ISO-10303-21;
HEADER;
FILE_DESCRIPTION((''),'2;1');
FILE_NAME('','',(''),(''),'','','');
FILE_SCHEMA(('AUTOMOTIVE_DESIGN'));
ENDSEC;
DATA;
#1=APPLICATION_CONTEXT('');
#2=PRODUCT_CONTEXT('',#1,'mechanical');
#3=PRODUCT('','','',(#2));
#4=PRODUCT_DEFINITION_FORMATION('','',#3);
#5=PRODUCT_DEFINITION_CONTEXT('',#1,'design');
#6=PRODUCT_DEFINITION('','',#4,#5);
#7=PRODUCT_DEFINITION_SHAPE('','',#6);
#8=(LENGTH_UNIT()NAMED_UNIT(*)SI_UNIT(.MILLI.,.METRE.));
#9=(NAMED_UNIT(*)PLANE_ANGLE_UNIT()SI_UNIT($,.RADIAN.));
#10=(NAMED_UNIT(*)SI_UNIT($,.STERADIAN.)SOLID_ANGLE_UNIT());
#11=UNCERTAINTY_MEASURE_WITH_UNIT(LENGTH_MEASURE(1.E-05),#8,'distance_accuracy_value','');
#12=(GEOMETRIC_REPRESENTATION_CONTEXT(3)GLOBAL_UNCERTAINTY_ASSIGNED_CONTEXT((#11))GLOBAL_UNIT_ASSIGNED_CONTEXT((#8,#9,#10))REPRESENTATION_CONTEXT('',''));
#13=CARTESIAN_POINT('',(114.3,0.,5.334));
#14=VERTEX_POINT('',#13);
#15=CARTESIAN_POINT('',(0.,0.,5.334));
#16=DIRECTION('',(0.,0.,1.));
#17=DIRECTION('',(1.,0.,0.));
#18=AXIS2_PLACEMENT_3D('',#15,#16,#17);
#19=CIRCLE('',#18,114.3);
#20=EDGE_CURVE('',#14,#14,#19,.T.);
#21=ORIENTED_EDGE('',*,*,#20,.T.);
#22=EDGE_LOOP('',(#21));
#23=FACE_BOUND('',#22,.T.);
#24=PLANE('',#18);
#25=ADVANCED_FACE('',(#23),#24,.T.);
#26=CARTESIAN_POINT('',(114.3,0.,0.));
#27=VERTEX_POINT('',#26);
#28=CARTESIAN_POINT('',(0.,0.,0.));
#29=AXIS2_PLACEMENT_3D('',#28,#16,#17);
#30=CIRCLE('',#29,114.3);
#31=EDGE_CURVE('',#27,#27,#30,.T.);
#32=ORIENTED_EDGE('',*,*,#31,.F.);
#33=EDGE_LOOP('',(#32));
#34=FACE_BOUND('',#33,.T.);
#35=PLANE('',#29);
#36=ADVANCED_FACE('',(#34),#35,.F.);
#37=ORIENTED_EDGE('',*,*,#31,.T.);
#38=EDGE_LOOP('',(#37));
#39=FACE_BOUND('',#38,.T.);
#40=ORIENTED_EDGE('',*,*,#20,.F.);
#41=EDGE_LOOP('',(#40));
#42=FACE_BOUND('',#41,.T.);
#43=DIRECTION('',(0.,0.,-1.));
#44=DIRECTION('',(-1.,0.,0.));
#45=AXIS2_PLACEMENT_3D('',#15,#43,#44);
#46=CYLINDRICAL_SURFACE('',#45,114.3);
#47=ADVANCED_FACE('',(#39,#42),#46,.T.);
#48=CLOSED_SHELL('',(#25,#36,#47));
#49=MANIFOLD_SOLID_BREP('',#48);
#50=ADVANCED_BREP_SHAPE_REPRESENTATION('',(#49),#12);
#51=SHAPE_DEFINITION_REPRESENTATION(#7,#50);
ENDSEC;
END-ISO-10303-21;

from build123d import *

# Parameters (mm, degrees)
SKETCH1_R      = 114.3
PLATFORM_DEPTH = 5.334


with BuildPart() as part:
    # Sketch1 → Platform (new body)
    with BuildSketch(Plane.XY):
        Circle(SKETCH1_R)
    extrude(amount=PLATFORM_DEPTH)


solid = part.part
